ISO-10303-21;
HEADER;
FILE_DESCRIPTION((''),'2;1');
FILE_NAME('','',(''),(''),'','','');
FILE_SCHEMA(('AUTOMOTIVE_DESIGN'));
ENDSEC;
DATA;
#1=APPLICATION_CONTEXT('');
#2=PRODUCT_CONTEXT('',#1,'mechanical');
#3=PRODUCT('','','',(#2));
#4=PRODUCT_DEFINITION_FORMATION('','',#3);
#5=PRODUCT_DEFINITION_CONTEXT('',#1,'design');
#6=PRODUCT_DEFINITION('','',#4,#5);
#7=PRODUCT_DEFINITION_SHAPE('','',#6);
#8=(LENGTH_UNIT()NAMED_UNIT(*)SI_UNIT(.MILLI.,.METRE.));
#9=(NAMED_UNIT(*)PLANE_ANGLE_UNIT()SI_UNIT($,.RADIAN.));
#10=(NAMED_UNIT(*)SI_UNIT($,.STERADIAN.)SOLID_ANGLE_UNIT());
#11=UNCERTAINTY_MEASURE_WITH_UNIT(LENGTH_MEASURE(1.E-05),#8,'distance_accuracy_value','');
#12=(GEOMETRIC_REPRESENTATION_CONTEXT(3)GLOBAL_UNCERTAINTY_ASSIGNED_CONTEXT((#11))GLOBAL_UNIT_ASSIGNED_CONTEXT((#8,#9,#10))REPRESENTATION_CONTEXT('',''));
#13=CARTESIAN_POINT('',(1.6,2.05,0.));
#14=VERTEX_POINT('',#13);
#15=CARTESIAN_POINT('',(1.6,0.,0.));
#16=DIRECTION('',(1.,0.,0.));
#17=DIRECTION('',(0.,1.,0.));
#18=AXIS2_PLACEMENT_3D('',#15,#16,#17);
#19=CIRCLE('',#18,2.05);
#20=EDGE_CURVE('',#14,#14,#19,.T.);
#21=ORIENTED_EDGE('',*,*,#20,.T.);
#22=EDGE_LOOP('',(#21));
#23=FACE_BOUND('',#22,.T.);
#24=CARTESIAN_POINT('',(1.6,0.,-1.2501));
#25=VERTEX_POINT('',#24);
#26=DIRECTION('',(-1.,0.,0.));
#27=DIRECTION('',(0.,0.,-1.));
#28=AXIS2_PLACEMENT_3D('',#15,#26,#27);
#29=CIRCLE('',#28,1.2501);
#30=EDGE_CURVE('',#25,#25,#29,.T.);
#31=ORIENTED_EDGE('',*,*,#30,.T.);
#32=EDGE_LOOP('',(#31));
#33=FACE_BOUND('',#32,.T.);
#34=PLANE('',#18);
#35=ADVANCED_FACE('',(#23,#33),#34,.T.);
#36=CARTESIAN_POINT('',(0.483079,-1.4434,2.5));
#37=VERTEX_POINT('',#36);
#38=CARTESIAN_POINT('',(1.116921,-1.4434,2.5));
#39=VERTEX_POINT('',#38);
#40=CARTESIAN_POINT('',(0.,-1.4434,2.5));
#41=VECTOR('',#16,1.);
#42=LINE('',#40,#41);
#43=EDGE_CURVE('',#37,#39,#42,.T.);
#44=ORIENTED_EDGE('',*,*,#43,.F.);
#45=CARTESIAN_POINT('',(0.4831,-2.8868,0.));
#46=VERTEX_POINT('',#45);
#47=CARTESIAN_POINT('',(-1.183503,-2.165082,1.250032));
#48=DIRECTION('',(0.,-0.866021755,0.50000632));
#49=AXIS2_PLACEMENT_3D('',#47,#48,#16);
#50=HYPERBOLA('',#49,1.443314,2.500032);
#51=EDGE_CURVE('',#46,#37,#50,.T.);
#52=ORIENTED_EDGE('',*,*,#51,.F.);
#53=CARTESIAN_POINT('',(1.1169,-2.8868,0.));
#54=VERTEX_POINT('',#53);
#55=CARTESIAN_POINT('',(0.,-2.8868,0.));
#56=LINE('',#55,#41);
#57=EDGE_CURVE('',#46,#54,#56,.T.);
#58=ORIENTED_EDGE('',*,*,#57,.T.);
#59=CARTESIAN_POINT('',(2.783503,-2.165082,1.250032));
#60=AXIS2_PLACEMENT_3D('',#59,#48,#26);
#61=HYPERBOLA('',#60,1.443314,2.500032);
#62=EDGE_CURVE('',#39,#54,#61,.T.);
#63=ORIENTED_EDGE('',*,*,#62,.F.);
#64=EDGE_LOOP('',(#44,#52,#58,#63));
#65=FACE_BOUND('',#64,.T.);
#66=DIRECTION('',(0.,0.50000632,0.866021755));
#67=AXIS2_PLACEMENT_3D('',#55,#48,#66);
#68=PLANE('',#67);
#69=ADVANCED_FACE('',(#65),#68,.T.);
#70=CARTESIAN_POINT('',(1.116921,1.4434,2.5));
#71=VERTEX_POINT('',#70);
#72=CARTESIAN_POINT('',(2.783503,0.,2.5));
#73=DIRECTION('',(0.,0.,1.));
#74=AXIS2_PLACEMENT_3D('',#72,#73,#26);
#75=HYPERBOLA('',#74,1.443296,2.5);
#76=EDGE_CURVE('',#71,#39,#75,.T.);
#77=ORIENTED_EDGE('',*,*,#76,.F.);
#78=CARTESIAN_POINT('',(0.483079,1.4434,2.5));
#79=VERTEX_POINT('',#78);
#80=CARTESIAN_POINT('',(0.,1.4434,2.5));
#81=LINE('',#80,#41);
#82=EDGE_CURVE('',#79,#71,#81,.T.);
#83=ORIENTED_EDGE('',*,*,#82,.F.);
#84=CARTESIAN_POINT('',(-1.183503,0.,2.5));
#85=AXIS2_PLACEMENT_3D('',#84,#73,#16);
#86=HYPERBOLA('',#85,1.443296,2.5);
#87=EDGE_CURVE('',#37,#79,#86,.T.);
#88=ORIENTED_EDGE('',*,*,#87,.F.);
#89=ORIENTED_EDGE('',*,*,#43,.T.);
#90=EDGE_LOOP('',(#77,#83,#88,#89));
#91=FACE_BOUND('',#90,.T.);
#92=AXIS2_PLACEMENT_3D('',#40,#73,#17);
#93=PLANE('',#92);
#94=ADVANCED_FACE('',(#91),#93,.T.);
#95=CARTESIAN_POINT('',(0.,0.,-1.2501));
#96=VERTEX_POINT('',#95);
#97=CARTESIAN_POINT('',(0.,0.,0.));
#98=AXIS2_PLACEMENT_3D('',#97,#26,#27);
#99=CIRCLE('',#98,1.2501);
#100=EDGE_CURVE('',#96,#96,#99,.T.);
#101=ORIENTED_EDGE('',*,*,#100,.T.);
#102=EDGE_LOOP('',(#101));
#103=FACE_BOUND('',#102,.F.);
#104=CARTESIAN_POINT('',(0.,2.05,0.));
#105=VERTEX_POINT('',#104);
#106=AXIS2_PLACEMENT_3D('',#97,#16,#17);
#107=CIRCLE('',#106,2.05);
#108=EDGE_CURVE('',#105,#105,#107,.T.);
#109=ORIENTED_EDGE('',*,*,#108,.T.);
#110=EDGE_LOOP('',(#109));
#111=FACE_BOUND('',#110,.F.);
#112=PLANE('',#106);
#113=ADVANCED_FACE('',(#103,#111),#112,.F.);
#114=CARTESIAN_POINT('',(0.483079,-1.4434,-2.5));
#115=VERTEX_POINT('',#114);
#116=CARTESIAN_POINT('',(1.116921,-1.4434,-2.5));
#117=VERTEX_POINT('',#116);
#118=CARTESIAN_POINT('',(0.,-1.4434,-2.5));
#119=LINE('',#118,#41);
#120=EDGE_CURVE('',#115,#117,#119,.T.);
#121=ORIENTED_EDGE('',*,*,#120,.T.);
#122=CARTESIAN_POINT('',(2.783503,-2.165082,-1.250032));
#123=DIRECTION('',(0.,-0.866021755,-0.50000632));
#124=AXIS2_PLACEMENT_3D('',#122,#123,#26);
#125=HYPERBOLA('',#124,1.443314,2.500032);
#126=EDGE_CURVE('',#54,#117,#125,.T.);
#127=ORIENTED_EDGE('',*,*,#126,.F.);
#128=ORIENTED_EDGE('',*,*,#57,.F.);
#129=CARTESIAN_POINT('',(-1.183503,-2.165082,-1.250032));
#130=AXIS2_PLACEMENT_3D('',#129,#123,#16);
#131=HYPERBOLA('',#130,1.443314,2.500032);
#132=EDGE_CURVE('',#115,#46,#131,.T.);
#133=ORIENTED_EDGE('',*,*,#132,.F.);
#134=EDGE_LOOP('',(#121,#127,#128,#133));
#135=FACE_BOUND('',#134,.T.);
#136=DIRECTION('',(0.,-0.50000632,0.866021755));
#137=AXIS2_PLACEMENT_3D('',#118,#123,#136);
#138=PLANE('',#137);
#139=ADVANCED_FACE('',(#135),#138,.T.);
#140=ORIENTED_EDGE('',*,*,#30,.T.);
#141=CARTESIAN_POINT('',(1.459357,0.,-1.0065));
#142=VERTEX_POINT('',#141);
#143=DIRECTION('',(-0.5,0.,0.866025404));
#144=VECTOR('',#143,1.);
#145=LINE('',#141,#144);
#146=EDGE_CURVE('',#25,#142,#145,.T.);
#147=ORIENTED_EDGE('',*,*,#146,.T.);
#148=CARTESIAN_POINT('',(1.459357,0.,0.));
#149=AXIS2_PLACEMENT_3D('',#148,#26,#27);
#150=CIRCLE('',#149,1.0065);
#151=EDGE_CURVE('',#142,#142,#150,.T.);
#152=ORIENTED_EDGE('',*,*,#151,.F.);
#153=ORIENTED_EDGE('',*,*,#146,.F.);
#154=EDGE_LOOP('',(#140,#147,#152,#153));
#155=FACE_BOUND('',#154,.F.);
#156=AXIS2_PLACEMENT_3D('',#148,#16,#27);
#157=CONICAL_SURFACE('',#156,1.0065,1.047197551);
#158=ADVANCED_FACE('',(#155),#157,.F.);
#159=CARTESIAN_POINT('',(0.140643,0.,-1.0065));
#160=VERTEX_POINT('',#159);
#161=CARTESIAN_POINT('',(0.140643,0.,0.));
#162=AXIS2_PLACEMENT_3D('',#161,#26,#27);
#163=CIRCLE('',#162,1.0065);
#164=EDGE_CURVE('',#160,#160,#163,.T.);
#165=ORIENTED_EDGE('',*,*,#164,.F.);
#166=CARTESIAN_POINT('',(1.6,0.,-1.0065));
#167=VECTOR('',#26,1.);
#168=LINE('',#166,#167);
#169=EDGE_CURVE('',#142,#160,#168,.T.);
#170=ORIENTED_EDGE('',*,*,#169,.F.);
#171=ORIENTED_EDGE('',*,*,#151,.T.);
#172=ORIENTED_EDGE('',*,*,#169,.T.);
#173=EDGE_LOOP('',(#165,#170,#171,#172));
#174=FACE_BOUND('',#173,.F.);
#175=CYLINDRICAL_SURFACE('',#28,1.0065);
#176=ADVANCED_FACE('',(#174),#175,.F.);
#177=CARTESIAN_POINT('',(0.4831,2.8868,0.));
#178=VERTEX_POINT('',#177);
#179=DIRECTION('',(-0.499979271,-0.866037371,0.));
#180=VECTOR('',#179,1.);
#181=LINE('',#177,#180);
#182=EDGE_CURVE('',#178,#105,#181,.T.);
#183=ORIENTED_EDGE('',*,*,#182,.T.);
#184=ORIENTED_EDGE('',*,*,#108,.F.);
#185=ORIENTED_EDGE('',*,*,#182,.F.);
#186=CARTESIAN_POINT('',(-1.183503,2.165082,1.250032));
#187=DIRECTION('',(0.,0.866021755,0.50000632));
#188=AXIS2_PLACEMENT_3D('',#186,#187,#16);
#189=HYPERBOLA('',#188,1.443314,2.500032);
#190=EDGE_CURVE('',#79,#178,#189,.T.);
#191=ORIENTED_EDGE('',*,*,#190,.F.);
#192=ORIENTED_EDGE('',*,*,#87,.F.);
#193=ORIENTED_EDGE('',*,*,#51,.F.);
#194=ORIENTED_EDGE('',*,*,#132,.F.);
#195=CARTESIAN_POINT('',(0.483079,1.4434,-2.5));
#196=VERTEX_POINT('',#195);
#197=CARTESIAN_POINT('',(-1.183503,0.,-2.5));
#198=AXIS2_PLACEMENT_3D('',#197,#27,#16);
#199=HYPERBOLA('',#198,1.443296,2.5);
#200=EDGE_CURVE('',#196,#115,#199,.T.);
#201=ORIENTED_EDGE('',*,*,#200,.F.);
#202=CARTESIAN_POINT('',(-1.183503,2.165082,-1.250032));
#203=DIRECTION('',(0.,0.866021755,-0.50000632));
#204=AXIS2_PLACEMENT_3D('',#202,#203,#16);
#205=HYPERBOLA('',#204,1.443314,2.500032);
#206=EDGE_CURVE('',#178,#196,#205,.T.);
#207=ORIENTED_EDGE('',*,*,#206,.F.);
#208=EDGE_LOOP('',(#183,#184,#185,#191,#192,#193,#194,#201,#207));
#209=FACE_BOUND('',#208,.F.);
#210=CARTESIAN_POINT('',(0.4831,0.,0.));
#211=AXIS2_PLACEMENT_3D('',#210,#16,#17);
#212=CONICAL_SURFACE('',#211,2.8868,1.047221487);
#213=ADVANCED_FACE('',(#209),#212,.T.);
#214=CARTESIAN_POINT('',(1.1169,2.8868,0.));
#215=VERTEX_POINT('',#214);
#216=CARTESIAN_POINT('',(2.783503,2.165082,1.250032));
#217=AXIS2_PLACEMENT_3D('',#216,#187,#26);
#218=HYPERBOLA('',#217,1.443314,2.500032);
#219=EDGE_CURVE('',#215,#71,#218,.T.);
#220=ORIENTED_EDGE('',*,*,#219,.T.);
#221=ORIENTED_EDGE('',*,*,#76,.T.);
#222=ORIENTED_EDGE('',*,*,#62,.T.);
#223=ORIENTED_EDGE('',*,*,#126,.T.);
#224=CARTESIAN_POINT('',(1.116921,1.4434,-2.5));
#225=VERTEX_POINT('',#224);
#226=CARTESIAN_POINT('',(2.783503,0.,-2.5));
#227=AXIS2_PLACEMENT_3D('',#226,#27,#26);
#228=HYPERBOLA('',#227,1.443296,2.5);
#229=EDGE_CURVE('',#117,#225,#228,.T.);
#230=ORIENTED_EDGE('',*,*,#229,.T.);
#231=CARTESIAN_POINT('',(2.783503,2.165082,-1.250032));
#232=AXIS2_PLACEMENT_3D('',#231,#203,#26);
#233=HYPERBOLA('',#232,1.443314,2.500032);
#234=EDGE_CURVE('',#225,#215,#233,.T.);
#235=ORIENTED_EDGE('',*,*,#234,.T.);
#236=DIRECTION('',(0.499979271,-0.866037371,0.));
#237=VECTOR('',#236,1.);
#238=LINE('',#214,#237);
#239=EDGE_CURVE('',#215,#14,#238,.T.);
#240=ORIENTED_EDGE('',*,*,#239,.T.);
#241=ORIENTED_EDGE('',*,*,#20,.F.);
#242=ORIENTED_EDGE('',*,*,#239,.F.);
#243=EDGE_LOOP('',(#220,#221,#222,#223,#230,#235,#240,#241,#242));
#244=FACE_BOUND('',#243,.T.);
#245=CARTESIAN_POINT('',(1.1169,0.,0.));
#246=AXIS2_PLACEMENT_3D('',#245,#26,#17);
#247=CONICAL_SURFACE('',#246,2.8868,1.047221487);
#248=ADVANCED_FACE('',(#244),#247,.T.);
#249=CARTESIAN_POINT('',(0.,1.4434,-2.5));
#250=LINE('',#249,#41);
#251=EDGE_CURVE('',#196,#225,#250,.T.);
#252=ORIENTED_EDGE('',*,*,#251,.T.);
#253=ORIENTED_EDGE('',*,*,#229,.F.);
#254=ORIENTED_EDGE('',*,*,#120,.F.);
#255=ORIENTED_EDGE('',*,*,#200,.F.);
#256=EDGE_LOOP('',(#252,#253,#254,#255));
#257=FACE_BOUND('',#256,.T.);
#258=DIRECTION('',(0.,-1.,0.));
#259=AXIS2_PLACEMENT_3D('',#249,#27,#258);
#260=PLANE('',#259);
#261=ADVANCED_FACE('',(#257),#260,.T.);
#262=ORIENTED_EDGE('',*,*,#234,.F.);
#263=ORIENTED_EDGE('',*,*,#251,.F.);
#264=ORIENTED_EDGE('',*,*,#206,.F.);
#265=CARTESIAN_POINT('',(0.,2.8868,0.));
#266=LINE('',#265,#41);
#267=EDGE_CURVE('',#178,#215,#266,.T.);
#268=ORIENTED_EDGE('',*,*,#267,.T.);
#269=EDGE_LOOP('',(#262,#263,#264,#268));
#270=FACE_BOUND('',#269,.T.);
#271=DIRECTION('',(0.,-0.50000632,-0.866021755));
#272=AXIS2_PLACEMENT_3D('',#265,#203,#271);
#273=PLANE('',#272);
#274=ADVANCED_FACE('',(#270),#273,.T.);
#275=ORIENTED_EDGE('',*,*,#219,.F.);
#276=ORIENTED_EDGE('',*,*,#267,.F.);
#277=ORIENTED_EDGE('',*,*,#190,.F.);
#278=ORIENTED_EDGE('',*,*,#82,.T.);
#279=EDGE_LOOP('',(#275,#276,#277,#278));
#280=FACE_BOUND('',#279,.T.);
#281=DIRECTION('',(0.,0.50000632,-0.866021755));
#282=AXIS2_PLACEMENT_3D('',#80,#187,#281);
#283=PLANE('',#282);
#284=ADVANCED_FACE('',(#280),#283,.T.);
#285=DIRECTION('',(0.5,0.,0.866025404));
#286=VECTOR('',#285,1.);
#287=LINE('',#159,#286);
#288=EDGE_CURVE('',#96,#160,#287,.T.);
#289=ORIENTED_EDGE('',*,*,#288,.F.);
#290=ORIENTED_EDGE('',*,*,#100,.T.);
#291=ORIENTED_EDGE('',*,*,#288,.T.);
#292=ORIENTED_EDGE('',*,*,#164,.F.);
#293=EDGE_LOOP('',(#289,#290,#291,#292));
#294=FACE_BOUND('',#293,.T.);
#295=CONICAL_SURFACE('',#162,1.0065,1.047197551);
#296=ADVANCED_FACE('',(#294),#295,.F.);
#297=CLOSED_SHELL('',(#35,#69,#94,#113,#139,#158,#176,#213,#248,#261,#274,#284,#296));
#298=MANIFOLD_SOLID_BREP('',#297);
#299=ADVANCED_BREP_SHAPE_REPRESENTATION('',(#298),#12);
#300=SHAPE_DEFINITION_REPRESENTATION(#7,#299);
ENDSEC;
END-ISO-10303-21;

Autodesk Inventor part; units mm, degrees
ref_plane "YZ Plane" through (0, 0, 0) normal (1, 0, 0) x (0, 1, 0)
ref_plane "XZ Plane" through (0, 0, 0) normal (0, 1, 0) x (-1, 0, 0)
sketch "Szkic1" plane through (0, 0, 0) normal (1, 0, 0) x (0, 1, 0)
  line L0 (-2.8868, 0) -> (-1.4434, 2.5)
  line L1 (-1.4434, 2.5) -> (1.4434, 2.5)
  line L2 (1.4434, 2.5) -> (2.8868, 0)
  line L3 (2.8868, 0) -> (1.4434, -2.5)
  line L4 (1.4434, -2.5) -> (-1.4434, -2.5)
  line L5 (-1.4434, -2.5) -> (-2.8868, 0)
  point P0 (0, 0)
  point P1 (0, 0)
  dimension "d0" = 5.7735
extrude "Bryła" add sketch "Szkic1" along normal blind 1.6
sketch "Szkic2" plane through (0, 0, 0) normal (0, 0, 1) x (1, 0, 0)
  line L0 (0, 1.4434) -> (0, 2.8868) projected
  line L1 (0, 2.8868) -> (1.6, 2.8868) projected
  line L2 (1.6, 1.4434) -> (1.6, 2.8868) projected
  line L3 (-0.32, 0) -> (1.92, 0) projected
  line L4 (0.4831, 2.8868) -> (0, 2.05)
  line L5 (1.1169, 2.8868) -> (1.6, 2.05)
  dimension "d3" = 30
  dimension "d4" = 30
  dimension "d5" = 4.1
  dimension "d6" = 4.1
revolve "Faza1" cut sketch "Szkic2" angle 360 about axis through (-10, 0, 0) along (1, 0, 0)
sketch "Szkic3" plane through (1.6, 0, 0) normal (1, 0, 0) x (0, 0, -1)
  arc A0 (-0.625, -1.0825) -> (0.625, -1.0825) centre (0, 0) ccw projected
hole "Gwint" at (1.6, 0, 0) direction (-1, 0, 0) diameter 2.013 end through all thread size "M2.5x0.45" class "6H" standard "ISO Metric profile"
chamfer "Faza2" distance 0.2436 angle 30 1 edges at (1.6, 0, 1.0065) measured on face at (1.6, 1.6799, -0.204)
chamfer "Faza3" distance 0.2436 angle 30 1 edges at (0, 0, 1.0065) measured on face at (0, 1.6799, -0.204)
ref_plane "Work Plane1" through (-6.2034, 0, 0) normal (0, -0.866, -0.5) x (1, 0, 0)
equation "\"d0\" = 1.1547 * SW"
equation "\"d1\" = KOH"
equation "\"d3\" = ANG1"
equation "\"d4\" = ANG2"
equation "\"d5\" = SW0"
equation "\"d6\" = SW01"
equation "\"d8\" = -0.5 * GD1 + 0.5 * NND"
equation "\"d40\" = -0.5 * GD1 + 0.5 * NND"
equation "\"d10\" = -0.5 * GD1 + 0.5 * NND"
equation "\"d41\" = -0.5 * GD1 + 0.5 * NND"
equation "\"ANG1\" = 30deg"
equation "\"ANG2\" = 30deg"
equation "\"NND\" = 2.5"
equation "\"KOH\" = 1.6"
equation "\"SW\" = 5"
equation "\"SW0\" = 4.1"
equation "\"SW01\" = 4.1"
equation "\"GUL\" = 0.541266 * PTC"
equation "\"THREADDIA\" = 2.5"
equation "\"TOA\" = 30deg"
equation "\"PTC\" = 0.45"
equation "\"E0\" = 1.155 * SW"
equation "\"GAL\" = 0.541266 * PTC"
equation "\"GD1\" = 2.012861"
properties part number "DIN 439 - M2,5" material "Stal, miękka"
